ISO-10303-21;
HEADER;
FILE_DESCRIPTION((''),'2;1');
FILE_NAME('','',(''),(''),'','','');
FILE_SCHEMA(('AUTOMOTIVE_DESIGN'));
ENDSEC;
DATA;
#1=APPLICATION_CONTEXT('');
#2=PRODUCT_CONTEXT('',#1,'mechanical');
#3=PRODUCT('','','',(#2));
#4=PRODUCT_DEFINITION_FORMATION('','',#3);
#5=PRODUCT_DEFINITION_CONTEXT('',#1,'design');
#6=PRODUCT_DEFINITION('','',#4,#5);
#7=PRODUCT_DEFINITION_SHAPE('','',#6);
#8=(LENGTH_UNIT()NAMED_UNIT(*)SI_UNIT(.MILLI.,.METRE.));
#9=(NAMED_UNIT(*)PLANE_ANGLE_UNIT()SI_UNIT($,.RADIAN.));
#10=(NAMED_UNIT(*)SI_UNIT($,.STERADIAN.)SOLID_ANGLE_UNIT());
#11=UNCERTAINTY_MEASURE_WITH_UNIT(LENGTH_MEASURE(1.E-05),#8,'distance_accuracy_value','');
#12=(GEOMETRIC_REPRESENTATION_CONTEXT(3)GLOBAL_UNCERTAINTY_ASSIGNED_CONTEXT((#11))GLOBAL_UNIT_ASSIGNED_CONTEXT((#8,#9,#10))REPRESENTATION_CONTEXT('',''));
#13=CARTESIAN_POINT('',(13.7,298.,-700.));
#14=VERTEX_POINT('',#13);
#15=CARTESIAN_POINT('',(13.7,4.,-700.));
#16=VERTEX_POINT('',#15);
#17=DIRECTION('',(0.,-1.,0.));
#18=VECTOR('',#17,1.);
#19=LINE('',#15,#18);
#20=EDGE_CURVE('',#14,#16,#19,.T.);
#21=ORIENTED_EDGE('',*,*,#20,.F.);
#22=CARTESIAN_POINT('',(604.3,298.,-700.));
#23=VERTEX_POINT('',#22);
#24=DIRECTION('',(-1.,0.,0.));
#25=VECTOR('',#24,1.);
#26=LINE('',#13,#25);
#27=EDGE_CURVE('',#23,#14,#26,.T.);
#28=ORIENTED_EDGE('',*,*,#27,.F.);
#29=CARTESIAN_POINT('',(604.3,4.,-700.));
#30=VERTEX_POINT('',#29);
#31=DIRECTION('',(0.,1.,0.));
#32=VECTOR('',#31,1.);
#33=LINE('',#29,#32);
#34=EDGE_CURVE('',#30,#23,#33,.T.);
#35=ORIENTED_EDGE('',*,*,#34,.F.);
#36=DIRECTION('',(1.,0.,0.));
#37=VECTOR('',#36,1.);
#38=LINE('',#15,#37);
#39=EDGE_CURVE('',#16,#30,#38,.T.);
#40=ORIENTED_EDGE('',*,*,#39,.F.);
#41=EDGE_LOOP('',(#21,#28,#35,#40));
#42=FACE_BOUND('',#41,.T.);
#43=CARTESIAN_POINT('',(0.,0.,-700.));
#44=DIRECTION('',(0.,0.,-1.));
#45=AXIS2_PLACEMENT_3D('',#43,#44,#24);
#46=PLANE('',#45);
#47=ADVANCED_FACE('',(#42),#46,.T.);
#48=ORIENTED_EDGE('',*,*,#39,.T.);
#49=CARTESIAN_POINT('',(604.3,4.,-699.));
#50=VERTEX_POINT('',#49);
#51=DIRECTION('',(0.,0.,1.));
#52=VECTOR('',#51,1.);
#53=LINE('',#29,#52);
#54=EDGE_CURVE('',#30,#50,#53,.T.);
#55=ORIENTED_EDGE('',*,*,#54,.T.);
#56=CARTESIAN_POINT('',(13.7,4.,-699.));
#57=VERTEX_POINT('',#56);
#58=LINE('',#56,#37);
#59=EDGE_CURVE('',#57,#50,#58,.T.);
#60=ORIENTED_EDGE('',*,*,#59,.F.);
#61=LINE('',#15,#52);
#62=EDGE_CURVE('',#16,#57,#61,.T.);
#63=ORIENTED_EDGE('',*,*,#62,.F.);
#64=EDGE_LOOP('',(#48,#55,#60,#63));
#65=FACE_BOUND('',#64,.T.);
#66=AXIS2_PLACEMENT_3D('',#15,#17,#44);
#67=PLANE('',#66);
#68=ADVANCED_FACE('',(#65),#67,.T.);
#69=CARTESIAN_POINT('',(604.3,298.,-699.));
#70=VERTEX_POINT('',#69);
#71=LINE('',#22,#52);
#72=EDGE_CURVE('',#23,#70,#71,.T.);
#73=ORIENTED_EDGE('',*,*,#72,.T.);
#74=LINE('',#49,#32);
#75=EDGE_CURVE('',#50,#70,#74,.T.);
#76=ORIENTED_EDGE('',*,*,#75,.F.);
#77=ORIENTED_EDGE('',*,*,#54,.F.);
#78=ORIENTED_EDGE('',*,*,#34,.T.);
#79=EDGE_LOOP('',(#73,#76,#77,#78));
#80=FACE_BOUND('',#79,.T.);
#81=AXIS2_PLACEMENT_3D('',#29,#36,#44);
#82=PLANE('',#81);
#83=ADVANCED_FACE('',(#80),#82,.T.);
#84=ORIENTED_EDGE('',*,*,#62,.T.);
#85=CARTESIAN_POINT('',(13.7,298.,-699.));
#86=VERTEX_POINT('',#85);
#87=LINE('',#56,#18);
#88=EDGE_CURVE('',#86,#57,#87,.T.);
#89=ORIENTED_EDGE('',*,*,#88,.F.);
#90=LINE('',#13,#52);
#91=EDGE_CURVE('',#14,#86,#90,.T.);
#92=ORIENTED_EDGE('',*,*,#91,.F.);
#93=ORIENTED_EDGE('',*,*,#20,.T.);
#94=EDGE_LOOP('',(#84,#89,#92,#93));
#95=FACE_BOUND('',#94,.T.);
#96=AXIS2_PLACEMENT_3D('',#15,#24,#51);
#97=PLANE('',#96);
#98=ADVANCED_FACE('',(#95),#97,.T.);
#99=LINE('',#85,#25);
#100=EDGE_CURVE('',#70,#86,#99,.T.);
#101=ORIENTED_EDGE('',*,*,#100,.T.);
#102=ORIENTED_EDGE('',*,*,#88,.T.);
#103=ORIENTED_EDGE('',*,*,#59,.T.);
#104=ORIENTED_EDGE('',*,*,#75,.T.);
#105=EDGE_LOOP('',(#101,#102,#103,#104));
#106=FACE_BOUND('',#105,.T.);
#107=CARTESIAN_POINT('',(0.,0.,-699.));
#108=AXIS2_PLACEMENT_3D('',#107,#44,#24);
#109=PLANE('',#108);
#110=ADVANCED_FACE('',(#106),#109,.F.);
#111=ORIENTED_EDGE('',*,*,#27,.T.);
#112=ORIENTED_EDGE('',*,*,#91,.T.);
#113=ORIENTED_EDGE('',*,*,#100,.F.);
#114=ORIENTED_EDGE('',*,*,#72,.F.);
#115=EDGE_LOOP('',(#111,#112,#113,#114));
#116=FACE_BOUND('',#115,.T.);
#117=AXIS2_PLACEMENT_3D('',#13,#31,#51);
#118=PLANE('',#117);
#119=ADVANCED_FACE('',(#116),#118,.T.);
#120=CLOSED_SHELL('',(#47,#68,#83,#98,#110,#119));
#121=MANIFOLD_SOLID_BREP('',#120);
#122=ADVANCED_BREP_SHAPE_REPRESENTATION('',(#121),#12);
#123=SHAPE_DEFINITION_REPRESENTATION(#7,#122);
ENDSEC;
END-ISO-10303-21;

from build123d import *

# Parameters (mm, degrees)
CEK_1L_KUTU_ARKA_1_0_1_START = -699
SKETCH1_W                    = 590.6
SKETCH1_H                    = 294
CEK_1L_KUTU_ARKA_1_0_1_DEPTH = 1


with BuildPart() as part:
    # Sketch1 → CEK_1L_kutu_arka_1.0_1 (new body)
    with BuildSketch(Plane.XY.offset(CEK_1L_KUTU_ARKA_1_0_1_START)):
        with Locations((309, 151)):
            Rectangle(SKETCH1_W, SKETCH1_H)
    extrude(amount=-CEK_1L_KUTU_ARKA_1_0_1_DEPTH)


solid = part.part
